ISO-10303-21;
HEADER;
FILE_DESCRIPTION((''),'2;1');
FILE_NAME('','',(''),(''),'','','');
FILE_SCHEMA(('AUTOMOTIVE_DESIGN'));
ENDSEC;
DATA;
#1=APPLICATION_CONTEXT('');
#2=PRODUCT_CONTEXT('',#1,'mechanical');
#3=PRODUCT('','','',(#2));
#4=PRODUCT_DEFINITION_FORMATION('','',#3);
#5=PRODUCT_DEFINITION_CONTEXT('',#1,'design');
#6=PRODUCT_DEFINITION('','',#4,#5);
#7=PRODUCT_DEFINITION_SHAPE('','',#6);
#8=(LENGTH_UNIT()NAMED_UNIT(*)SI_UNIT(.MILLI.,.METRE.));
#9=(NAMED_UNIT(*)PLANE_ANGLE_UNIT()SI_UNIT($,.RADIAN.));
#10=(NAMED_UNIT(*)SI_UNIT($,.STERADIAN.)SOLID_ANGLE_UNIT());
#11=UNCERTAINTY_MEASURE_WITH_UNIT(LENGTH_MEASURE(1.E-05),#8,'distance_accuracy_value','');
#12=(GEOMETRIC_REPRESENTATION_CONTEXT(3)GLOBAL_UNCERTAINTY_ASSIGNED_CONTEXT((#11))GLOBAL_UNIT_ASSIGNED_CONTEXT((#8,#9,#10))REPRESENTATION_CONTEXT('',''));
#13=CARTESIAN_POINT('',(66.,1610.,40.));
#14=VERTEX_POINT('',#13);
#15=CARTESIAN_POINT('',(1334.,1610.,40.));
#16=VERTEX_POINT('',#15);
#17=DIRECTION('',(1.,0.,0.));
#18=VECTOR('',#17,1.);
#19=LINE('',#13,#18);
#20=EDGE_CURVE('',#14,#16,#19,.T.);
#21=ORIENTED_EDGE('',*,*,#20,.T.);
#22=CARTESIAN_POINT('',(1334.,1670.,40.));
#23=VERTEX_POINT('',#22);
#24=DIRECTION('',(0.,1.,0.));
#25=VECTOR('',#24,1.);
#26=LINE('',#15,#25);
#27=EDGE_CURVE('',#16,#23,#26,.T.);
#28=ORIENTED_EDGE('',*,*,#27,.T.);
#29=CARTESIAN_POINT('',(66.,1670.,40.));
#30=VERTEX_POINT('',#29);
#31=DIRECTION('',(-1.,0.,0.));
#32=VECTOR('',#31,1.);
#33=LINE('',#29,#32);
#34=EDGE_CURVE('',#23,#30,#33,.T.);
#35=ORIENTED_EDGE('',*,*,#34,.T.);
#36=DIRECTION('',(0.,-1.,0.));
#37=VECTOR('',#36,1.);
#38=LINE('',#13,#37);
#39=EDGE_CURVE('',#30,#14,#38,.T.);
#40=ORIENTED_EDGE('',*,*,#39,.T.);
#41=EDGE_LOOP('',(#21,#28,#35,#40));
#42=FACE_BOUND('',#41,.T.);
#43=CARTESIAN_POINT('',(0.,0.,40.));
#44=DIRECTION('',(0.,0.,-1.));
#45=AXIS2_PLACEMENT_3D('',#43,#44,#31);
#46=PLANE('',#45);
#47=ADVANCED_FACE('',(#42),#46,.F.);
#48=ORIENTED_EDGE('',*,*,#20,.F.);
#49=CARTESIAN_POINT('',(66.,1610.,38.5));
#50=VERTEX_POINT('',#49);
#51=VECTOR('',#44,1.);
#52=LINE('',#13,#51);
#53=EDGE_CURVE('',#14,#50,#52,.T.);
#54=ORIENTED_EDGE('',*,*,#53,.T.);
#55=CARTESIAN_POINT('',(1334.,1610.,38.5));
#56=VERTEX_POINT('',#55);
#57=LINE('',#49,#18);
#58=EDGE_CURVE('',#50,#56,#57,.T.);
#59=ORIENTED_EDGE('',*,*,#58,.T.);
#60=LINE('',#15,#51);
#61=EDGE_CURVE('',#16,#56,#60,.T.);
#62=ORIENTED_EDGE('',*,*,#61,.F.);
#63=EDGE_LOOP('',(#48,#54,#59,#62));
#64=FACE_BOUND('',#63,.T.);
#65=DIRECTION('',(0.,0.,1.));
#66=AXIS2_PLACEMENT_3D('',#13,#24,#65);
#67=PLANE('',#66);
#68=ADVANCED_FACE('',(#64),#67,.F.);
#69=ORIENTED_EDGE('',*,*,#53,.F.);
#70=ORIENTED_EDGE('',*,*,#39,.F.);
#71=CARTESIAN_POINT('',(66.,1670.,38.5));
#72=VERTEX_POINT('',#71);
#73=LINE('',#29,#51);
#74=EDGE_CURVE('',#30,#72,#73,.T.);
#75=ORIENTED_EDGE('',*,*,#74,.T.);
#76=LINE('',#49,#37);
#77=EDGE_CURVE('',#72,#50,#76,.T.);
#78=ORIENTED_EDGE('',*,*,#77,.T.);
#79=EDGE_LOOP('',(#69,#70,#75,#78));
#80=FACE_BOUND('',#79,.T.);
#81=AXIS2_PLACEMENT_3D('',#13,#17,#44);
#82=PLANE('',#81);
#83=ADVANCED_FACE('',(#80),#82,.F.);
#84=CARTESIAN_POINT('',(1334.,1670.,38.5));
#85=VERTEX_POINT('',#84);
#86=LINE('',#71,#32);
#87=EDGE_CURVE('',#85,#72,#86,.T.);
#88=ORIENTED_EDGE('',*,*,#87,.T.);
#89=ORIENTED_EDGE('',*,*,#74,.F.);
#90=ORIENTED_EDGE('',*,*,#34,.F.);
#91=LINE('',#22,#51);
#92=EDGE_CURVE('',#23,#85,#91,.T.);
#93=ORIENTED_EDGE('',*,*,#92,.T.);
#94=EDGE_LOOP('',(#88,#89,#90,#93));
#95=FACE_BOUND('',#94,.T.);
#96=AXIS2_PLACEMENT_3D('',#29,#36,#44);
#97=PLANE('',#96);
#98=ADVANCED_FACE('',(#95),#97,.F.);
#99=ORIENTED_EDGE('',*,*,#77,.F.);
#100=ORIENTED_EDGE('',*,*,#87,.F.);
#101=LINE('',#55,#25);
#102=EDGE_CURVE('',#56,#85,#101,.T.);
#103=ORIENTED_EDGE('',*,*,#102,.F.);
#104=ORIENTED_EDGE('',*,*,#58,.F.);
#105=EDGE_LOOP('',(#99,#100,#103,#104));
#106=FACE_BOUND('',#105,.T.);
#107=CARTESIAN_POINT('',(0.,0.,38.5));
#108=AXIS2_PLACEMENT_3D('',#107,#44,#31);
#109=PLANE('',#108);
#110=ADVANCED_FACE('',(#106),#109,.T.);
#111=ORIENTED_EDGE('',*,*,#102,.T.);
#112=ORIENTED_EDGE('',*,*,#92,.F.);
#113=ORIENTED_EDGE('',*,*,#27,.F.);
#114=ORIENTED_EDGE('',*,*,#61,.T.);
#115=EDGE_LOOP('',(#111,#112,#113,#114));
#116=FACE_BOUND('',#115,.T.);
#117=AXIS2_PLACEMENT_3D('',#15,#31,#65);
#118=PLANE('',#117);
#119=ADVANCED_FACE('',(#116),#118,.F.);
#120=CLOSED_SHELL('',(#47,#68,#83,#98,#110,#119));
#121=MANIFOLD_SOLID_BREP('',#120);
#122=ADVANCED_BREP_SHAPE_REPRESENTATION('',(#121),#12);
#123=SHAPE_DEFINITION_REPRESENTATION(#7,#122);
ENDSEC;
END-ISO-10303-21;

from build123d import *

# Parameters (mm, degrees)
STORE_PANEL_BANT_UST_1_START = 38.5
SKETCH1_W                    = 1268
SKETCH1_H                    = 60
STORE_PANEL_BANT_UST_1_DEPTH = 1.5


with BuildPart() as part:
    # Sketch1 → STORE_panel_bant_ust_1 (new body)
    with BuildSketch(Plane.XY.offset(STORE_PANEL_BANT_UST_1_START)):
        with Locations((700, 1640)):
            Rectangle(SKETCH1_W, SKETCH1_H)
    extrude(amount=STORE_PANEL_BANT_UST_1_DEPTH)


solid = part.part
